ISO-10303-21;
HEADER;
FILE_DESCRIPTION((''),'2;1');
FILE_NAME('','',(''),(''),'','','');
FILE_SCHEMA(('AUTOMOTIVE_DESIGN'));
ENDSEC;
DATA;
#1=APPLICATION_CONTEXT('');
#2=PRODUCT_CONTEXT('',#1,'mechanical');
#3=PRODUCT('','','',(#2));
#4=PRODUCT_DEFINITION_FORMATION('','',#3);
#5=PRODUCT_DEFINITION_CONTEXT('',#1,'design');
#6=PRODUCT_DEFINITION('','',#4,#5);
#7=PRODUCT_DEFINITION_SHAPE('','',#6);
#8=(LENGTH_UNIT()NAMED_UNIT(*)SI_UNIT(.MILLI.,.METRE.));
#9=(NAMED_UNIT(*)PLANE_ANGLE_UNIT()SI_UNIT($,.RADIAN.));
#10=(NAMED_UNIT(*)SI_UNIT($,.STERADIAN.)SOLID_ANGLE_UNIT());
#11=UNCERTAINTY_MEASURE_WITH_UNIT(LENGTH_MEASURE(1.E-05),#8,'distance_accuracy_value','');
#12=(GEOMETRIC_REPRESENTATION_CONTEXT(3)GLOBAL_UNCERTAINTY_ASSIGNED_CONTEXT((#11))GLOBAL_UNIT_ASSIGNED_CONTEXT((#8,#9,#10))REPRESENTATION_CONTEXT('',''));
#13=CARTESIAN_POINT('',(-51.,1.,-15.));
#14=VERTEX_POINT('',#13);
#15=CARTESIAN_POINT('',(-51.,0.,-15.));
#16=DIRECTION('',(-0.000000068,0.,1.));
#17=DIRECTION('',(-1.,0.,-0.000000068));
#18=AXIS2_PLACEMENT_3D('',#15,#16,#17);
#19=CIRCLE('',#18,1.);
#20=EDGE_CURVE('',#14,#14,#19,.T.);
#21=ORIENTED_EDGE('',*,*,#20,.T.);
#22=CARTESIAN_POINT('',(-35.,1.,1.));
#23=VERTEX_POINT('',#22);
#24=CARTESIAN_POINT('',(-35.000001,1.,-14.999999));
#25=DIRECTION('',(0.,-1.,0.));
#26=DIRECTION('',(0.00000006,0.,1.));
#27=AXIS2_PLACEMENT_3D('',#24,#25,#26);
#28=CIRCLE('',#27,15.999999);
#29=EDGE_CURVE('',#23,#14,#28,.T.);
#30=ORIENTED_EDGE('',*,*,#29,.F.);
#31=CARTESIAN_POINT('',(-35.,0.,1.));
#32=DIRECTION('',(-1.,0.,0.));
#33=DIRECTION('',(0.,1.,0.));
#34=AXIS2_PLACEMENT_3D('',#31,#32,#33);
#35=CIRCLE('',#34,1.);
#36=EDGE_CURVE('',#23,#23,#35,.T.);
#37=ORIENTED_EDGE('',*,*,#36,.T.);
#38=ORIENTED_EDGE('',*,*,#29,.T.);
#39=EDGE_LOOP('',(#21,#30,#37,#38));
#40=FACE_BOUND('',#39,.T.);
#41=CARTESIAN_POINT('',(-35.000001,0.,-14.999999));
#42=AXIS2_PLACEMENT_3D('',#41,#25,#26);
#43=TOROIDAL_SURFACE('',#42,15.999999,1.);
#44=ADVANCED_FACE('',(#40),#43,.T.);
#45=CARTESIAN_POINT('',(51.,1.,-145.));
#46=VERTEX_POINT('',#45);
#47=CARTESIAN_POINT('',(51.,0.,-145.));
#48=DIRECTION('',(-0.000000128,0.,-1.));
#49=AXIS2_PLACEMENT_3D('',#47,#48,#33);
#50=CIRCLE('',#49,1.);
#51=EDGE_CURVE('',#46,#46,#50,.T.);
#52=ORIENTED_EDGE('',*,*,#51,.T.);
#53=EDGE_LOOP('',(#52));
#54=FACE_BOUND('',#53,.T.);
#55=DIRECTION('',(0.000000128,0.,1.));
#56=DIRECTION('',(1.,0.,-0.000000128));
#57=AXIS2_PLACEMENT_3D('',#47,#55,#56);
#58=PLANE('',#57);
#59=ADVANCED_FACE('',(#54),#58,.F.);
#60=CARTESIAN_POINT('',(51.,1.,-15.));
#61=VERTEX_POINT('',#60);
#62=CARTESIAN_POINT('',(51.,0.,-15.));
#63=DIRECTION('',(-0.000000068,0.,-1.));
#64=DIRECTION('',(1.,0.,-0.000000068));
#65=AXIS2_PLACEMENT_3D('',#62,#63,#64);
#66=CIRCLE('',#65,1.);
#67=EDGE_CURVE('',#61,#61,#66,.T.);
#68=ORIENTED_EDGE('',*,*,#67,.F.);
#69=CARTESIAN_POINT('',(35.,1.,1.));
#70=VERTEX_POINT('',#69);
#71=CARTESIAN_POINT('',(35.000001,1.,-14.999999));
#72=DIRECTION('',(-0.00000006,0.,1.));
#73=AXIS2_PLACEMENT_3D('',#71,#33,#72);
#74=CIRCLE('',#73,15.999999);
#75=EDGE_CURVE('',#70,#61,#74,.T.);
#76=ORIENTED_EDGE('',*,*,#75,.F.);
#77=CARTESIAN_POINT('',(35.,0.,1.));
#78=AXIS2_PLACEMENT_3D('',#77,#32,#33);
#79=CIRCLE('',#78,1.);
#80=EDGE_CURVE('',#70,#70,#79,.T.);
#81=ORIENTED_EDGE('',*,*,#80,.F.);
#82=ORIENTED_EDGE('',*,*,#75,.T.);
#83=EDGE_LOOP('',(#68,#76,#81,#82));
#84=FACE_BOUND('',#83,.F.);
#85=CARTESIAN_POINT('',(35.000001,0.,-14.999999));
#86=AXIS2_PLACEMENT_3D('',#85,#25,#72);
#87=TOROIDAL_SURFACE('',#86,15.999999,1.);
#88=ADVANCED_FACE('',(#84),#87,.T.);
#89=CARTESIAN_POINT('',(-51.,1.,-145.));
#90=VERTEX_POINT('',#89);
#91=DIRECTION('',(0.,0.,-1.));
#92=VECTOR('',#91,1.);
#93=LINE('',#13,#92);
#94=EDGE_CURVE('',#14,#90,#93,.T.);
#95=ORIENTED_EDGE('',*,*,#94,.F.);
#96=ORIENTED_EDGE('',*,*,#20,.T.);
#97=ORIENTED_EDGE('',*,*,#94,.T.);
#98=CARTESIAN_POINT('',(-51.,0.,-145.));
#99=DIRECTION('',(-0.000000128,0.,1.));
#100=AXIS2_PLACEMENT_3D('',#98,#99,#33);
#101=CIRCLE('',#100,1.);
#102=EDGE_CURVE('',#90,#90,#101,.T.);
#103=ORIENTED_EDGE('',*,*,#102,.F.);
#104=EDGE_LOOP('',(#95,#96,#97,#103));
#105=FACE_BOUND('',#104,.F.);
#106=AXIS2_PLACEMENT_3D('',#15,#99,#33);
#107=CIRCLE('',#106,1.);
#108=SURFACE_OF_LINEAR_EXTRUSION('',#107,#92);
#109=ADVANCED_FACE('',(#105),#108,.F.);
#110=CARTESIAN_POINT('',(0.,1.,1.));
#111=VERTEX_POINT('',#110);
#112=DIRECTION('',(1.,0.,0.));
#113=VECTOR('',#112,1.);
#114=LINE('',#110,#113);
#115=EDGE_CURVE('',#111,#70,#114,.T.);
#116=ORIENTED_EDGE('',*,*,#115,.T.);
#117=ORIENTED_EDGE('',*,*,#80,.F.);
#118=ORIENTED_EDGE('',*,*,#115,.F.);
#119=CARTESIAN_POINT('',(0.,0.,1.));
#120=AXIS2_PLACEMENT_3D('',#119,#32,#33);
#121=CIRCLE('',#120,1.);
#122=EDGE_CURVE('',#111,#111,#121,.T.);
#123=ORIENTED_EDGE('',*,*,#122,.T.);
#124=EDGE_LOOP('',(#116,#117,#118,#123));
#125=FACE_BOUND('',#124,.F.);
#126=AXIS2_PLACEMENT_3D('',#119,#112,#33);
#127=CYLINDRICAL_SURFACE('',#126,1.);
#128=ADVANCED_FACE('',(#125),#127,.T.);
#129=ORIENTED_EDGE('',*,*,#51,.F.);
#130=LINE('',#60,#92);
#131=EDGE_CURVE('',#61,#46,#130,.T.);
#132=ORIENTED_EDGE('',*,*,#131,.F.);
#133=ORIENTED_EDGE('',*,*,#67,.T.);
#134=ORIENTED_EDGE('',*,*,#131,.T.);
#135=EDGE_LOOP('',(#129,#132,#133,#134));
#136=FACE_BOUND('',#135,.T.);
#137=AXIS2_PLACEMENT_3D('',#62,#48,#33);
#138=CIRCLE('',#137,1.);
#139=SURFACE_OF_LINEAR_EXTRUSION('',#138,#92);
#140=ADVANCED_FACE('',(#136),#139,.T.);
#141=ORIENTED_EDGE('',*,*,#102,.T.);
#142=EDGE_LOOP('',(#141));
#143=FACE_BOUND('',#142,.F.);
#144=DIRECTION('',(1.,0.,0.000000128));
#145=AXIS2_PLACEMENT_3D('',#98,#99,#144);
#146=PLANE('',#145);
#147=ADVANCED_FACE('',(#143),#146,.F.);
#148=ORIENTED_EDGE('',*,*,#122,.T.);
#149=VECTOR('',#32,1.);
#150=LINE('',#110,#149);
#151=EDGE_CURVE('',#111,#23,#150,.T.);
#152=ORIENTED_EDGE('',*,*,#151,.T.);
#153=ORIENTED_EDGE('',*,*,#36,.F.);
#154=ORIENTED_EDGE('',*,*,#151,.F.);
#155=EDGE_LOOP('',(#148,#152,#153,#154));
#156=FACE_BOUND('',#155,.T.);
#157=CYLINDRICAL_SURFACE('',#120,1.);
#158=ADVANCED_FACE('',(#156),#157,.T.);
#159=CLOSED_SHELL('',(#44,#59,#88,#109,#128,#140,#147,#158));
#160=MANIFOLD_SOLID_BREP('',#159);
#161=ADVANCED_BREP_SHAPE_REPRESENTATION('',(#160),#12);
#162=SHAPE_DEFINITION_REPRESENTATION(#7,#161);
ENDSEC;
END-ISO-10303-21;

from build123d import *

# Parameters (mm, degrees)
F1_R = 1


with BuildPart() as f2:
    # F2: sweep along a path in F0
    with BuildLine(Plane.XZ) as f2_path:
        Line((0, 0), (-35, 0))
        ThreePointArc((-35, 0), (-45.606602, -4.393398), (-50, -15))
        Line((-50, -15), (-50, -145))
    # F1 (on Right) → F2 (sweep)
    with BuildSketch(Plane.YZ):
        with Locations((0, 1)):
            Circle(F1_R)
    sweep(path=f2_path.line)

    # F3: F2 across plane


with BuildPart() as f2_1:
    add(f2.part)
    add(f2.part.mirror(Plane.YZ))


solid = f2_1.part
